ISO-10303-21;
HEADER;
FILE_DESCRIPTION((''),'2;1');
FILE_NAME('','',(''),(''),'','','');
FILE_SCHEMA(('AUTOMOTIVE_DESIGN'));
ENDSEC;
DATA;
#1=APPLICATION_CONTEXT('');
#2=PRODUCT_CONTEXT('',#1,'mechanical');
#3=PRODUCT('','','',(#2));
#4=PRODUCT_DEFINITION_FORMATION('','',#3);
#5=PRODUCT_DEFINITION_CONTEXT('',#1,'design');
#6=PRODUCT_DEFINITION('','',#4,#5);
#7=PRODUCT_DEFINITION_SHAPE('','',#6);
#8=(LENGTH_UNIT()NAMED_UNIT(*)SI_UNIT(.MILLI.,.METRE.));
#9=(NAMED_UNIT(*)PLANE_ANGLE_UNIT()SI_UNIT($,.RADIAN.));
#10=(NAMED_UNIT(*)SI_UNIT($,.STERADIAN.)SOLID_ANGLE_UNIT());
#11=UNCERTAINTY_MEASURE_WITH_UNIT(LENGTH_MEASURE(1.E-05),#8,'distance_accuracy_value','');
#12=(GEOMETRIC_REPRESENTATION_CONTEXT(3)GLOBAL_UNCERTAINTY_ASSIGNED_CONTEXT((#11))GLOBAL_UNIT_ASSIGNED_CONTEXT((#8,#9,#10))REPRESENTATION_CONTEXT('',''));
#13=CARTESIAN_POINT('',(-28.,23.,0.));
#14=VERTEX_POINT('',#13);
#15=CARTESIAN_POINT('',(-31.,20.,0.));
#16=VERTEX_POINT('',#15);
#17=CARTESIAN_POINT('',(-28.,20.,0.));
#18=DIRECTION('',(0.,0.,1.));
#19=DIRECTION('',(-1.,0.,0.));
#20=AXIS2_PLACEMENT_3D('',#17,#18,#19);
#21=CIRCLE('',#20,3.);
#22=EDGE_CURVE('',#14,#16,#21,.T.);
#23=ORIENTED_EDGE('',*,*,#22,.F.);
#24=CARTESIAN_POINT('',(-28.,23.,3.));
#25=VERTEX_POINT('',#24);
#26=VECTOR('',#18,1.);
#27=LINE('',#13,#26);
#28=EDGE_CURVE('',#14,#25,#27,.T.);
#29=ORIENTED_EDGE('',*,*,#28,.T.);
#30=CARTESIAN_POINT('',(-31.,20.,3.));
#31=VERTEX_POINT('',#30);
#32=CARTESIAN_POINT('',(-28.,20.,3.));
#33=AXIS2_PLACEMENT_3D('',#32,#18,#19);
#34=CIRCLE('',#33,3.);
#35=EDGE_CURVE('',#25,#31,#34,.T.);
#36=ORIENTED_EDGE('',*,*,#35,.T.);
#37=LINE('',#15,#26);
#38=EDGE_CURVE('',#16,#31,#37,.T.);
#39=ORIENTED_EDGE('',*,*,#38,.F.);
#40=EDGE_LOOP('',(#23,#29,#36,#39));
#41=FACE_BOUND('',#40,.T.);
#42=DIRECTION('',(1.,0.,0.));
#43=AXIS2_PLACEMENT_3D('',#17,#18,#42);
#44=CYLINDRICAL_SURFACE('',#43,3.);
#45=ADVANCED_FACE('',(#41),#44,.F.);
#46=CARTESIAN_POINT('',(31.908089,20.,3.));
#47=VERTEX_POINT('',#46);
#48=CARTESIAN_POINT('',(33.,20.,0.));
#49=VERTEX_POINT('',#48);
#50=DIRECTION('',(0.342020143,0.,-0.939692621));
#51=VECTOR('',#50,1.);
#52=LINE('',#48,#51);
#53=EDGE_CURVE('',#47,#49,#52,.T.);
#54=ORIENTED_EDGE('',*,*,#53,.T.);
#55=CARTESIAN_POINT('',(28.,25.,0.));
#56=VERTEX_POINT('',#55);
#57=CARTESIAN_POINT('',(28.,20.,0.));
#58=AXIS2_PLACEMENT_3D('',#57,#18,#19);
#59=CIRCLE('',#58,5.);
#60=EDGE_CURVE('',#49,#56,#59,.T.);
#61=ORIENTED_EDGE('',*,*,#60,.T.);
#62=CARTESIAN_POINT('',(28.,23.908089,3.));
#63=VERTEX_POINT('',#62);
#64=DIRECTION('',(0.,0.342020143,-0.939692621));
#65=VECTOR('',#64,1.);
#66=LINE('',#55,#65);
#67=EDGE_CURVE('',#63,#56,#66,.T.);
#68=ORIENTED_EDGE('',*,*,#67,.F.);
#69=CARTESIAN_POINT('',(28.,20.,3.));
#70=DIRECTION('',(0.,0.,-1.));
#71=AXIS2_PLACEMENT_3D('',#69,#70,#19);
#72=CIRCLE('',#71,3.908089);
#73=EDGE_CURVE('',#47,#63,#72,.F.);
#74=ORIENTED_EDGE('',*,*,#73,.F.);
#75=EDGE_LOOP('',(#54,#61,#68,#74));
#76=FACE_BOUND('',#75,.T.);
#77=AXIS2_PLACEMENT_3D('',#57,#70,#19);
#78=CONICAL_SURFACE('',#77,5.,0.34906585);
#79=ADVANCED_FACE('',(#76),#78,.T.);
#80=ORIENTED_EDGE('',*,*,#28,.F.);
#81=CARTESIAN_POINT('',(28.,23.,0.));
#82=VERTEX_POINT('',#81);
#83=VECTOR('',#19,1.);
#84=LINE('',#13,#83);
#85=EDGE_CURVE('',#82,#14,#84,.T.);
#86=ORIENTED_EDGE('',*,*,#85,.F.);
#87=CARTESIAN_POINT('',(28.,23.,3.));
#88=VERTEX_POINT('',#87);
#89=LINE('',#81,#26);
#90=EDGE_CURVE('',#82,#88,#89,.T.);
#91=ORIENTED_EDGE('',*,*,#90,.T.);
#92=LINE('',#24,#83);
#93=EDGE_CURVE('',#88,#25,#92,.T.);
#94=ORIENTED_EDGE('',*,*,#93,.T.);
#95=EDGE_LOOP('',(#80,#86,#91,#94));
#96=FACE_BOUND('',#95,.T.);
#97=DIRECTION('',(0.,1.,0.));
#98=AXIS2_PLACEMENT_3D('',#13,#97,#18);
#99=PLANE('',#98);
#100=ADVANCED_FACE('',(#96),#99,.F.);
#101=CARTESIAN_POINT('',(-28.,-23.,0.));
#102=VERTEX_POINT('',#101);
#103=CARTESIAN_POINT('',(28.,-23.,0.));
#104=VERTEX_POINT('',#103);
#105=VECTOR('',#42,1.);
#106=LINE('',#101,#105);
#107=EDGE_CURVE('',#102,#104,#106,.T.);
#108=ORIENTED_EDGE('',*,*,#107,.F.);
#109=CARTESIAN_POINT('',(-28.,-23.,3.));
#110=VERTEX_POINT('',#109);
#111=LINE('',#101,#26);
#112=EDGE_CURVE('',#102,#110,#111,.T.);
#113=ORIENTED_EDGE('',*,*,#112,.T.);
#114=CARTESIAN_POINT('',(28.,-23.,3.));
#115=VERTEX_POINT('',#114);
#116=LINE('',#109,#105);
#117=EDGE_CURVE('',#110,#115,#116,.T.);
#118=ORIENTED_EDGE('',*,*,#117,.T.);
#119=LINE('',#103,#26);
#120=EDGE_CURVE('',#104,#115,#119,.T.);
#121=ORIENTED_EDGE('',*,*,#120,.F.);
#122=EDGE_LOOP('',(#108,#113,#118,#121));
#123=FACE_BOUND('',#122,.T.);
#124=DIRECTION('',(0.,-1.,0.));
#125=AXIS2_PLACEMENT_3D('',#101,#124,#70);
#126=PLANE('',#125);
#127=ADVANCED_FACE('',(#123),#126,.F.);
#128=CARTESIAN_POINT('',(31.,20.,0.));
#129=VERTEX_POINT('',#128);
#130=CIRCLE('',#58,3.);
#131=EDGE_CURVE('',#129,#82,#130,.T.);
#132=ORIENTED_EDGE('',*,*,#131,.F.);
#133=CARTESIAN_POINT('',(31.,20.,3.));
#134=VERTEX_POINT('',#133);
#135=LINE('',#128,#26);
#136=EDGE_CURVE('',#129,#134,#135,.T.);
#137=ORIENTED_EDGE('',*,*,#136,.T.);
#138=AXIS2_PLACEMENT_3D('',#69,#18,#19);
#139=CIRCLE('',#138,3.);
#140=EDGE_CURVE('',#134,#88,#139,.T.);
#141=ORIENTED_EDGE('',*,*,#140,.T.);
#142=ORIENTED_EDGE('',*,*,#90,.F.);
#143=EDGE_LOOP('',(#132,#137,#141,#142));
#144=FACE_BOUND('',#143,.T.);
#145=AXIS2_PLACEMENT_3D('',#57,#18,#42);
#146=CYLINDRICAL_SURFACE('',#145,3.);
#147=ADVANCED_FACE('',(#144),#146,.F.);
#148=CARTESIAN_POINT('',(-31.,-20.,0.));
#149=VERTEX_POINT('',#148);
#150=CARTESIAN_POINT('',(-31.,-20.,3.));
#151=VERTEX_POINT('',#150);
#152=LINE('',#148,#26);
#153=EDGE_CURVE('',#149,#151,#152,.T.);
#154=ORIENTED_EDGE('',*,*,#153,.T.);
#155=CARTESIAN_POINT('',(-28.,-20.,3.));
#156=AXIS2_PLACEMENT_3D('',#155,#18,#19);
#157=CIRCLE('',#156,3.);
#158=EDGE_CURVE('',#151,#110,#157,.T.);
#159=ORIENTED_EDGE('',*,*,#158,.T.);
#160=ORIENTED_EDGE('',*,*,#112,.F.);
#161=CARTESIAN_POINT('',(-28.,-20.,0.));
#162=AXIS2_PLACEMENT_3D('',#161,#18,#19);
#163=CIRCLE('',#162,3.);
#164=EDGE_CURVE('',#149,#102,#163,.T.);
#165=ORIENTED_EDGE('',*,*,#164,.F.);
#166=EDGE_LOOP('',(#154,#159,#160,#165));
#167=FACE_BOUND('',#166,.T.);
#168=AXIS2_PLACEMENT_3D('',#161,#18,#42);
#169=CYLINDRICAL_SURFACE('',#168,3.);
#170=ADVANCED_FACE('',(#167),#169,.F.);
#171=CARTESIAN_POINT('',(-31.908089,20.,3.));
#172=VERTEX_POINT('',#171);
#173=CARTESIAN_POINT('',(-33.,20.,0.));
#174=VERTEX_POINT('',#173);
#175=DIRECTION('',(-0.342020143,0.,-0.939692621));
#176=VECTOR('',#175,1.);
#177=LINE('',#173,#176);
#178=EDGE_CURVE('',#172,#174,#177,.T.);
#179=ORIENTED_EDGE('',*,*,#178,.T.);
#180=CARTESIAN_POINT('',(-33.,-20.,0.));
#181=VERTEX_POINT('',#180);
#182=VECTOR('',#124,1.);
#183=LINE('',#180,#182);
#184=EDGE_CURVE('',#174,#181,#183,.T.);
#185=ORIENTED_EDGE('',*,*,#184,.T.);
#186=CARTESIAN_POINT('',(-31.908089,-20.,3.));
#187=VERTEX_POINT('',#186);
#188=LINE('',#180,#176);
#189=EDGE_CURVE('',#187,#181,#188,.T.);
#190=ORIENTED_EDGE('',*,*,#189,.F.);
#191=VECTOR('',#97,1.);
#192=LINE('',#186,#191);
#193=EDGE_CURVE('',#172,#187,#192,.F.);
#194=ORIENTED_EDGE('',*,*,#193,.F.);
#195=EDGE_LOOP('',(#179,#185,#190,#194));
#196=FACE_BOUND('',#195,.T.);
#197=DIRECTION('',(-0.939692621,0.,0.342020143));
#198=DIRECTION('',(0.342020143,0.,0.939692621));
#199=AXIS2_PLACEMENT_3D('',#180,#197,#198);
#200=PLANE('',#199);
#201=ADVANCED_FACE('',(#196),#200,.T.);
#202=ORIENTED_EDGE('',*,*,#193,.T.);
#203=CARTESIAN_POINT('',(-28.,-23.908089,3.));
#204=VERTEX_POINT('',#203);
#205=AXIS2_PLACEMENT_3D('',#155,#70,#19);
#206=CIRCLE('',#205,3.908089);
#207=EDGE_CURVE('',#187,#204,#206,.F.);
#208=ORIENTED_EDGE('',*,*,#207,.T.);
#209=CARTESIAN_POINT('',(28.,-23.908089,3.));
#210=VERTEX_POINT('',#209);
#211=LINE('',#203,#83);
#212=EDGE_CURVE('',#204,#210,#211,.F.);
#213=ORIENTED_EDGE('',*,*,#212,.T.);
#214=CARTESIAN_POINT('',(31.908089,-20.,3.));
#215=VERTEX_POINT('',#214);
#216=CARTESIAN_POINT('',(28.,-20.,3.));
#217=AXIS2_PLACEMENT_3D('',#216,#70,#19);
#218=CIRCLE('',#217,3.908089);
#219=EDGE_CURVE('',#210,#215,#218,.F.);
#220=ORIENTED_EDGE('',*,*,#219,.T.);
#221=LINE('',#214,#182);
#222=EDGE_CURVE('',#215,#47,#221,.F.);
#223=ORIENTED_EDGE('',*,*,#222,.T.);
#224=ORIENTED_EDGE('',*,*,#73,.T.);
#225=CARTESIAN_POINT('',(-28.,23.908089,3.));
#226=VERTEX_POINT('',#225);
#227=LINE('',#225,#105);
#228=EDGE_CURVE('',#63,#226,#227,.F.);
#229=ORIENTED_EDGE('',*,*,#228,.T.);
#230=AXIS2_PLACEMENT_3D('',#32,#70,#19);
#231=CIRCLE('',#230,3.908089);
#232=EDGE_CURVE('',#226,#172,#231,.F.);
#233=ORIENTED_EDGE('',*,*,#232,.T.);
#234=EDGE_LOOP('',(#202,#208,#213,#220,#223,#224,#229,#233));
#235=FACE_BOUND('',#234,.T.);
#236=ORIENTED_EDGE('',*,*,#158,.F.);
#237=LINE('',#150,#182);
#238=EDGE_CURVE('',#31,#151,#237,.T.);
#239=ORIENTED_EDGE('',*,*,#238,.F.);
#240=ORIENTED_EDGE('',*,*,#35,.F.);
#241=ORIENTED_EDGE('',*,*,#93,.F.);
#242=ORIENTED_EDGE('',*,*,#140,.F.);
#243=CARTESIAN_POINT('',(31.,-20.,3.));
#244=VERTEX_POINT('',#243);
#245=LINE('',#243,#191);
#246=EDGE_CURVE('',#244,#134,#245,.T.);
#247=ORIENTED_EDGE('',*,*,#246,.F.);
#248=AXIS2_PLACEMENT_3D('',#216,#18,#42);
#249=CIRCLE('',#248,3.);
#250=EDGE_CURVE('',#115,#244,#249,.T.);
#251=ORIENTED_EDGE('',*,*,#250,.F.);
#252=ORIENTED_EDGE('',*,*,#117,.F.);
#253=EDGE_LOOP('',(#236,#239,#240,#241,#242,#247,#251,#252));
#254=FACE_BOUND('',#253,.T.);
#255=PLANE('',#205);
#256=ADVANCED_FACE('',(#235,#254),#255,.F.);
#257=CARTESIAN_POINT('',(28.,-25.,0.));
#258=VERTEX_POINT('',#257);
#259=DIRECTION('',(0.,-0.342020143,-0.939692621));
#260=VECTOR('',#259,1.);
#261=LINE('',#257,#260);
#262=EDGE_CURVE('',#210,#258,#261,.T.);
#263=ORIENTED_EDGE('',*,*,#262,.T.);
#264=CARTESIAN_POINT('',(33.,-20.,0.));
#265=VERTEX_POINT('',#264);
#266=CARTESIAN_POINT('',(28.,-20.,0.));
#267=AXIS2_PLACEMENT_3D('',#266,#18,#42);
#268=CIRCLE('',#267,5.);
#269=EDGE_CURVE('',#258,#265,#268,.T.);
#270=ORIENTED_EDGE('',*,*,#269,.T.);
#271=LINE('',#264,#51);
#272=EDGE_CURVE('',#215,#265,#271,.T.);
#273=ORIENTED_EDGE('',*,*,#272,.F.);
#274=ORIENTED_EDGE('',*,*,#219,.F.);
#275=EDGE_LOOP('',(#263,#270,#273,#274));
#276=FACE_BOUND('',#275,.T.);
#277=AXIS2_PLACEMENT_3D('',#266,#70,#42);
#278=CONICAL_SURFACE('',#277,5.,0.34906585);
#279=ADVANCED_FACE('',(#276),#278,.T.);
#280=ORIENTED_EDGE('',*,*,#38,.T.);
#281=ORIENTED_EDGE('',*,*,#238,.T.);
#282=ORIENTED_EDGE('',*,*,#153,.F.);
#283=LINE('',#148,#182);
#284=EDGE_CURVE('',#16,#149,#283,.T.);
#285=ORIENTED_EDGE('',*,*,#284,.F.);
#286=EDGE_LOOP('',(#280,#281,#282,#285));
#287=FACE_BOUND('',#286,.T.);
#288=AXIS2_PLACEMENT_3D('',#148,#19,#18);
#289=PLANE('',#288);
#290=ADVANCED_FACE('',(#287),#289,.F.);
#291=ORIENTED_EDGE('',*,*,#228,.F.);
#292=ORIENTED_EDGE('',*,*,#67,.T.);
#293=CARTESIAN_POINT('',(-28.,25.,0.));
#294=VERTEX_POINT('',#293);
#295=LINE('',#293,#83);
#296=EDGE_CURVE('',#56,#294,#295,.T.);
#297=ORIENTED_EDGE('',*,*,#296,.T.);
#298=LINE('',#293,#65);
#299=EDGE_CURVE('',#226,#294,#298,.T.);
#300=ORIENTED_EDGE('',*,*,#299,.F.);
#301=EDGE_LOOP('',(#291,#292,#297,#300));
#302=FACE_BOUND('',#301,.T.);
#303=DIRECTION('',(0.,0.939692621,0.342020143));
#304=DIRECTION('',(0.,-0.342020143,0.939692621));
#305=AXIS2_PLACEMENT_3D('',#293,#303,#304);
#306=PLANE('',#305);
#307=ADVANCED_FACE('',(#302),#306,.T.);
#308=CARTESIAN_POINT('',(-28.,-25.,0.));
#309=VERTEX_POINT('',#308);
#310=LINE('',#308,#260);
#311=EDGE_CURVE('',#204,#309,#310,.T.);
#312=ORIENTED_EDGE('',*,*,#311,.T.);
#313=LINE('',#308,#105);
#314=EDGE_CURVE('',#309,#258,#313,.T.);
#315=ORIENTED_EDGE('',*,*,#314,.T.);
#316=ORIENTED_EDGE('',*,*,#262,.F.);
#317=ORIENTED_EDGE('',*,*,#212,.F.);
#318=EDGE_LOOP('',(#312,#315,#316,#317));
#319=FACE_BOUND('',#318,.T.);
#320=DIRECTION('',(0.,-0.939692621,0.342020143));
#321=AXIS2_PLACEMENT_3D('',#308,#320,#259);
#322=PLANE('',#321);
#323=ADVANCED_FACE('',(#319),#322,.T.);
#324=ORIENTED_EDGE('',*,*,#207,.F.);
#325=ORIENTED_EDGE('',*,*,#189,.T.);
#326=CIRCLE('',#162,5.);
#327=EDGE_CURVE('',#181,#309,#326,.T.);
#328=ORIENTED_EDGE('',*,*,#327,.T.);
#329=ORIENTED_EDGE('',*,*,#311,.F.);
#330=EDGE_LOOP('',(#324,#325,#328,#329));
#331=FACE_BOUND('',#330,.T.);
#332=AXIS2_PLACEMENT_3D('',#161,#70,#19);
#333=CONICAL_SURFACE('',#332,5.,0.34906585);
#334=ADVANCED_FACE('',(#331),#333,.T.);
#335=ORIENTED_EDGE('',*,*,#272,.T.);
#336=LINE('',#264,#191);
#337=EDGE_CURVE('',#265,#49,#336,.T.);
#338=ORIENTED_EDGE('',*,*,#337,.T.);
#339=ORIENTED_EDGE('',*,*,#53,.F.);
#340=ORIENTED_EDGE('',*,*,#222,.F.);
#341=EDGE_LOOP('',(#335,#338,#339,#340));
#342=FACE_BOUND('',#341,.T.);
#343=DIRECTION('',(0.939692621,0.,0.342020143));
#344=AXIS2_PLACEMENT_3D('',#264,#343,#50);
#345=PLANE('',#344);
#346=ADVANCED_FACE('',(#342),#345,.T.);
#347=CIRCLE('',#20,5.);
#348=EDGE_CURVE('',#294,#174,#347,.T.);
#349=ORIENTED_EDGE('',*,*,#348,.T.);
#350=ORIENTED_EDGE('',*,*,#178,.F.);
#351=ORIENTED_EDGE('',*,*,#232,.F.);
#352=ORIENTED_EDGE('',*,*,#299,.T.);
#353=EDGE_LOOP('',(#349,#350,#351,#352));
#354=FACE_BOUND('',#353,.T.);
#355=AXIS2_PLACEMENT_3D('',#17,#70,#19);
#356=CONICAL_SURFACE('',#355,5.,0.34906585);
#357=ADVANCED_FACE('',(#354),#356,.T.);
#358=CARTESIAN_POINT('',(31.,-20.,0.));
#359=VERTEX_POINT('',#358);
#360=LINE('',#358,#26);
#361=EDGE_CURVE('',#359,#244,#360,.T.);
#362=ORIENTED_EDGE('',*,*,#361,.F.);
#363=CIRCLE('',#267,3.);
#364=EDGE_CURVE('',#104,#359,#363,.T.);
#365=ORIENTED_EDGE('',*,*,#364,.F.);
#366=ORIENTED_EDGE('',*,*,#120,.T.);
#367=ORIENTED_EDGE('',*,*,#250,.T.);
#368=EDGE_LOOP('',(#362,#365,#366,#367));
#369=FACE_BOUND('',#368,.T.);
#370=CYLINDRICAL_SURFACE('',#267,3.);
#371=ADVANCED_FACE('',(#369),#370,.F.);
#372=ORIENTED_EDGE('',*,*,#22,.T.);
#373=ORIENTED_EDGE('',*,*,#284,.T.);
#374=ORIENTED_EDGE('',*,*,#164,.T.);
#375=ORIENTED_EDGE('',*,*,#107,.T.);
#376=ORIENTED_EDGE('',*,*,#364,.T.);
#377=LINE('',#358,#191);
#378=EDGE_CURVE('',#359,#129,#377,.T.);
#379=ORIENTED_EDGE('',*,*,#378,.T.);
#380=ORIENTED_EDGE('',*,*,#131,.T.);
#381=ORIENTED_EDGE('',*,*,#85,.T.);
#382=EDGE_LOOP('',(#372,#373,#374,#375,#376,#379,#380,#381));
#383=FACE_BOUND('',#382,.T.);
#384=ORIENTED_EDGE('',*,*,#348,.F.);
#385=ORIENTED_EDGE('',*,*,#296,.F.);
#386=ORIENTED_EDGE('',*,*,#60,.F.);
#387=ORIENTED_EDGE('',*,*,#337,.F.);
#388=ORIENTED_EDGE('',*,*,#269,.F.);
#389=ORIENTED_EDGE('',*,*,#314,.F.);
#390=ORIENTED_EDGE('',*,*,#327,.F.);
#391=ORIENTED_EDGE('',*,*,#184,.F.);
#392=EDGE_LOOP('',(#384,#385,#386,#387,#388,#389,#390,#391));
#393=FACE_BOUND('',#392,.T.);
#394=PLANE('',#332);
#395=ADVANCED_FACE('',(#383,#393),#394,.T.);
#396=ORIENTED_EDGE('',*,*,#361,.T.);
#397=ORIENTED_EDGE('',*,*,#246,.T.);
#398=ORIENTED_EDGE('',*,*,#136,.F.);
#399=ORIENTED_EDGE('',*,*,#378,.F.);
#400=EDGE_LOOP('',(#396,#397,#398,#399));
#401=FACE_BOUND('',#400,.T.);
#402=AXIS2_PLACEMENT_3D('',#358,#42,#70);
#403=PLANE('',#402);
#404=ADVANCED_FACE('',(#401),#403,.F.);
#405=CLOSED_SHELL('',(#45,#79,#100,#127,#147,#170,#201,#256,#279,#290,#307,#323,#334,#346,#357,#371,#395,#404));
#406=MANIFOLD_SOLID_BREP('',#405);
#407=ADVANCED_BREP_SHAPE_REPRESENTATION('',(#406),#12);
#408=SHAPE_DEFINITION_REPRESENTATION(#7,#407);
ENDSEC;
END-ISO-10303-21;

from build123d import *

# Parameters (mm, degrees)
BOSS_EXTRUDE1_DEPTH = 3
BOSS_EXTRUDE1_TAPER = 20
CUT_EXTRUDE1_DEPTH  = 42.509035161


with BuildPart() as part:
    # Sketch1 → Boss-Extrude1 (new body)
    with BuildSketch(Plane.XY):
        with BuildLine():
            Line((-28, -25), (28, -25))
            ThreePointArc((28, -25), (31.535533906, -23.535533906), (33, -20))
            Line((33, -20), (33, 20))
            ThreePointArc((33, 20), (31.535533906, 23.535533906), (28, 25))
            Line((28, 25), (-28, 25))
            ThreePointArc((-28, 25), (-31.535533906, 23.535533906), (-33, 20))
            Line((-33, 20), (-33, -20))
            ThreePointArc((-33, -20), (-31.535533906, -23.535533906), (-28, -25))
        make_face()
    extrude(amount=BOSS_EXTRUDE1_DEPTH, taper=BOSS_EXTRUDE1_TAPER)

    # Sketch2 → Cut-Extrude1 (cut, through all)
    with BuildSketch(Plane.XY.offset(3)):
        with BuildLine():
            Line((-28, -23), (28, -23))
            ThreePointArc((28, -23), (30.121320344, -22.121320344), (31, -20))
            Line((31, -20), (31, 20))
            ThreePointArc((31, 20), (30.121320344, 22.121320344), (28, 23))
            Line((28, 23), (-28, 23))
            ThreePointArc((-28, 23), (-30.121320344, 22.121320344), (-31, 20))
            Line((-31, 20), (-31, -20))
            ThreePointArc((-31, -20), (-30.121320344, -22.121320344), (-28, -23))
        make_face()
    extrude(amount=-CUT_EXTRUDE1_DEPTH, mode=Mode.SUBTRACT)


solid = part.part
